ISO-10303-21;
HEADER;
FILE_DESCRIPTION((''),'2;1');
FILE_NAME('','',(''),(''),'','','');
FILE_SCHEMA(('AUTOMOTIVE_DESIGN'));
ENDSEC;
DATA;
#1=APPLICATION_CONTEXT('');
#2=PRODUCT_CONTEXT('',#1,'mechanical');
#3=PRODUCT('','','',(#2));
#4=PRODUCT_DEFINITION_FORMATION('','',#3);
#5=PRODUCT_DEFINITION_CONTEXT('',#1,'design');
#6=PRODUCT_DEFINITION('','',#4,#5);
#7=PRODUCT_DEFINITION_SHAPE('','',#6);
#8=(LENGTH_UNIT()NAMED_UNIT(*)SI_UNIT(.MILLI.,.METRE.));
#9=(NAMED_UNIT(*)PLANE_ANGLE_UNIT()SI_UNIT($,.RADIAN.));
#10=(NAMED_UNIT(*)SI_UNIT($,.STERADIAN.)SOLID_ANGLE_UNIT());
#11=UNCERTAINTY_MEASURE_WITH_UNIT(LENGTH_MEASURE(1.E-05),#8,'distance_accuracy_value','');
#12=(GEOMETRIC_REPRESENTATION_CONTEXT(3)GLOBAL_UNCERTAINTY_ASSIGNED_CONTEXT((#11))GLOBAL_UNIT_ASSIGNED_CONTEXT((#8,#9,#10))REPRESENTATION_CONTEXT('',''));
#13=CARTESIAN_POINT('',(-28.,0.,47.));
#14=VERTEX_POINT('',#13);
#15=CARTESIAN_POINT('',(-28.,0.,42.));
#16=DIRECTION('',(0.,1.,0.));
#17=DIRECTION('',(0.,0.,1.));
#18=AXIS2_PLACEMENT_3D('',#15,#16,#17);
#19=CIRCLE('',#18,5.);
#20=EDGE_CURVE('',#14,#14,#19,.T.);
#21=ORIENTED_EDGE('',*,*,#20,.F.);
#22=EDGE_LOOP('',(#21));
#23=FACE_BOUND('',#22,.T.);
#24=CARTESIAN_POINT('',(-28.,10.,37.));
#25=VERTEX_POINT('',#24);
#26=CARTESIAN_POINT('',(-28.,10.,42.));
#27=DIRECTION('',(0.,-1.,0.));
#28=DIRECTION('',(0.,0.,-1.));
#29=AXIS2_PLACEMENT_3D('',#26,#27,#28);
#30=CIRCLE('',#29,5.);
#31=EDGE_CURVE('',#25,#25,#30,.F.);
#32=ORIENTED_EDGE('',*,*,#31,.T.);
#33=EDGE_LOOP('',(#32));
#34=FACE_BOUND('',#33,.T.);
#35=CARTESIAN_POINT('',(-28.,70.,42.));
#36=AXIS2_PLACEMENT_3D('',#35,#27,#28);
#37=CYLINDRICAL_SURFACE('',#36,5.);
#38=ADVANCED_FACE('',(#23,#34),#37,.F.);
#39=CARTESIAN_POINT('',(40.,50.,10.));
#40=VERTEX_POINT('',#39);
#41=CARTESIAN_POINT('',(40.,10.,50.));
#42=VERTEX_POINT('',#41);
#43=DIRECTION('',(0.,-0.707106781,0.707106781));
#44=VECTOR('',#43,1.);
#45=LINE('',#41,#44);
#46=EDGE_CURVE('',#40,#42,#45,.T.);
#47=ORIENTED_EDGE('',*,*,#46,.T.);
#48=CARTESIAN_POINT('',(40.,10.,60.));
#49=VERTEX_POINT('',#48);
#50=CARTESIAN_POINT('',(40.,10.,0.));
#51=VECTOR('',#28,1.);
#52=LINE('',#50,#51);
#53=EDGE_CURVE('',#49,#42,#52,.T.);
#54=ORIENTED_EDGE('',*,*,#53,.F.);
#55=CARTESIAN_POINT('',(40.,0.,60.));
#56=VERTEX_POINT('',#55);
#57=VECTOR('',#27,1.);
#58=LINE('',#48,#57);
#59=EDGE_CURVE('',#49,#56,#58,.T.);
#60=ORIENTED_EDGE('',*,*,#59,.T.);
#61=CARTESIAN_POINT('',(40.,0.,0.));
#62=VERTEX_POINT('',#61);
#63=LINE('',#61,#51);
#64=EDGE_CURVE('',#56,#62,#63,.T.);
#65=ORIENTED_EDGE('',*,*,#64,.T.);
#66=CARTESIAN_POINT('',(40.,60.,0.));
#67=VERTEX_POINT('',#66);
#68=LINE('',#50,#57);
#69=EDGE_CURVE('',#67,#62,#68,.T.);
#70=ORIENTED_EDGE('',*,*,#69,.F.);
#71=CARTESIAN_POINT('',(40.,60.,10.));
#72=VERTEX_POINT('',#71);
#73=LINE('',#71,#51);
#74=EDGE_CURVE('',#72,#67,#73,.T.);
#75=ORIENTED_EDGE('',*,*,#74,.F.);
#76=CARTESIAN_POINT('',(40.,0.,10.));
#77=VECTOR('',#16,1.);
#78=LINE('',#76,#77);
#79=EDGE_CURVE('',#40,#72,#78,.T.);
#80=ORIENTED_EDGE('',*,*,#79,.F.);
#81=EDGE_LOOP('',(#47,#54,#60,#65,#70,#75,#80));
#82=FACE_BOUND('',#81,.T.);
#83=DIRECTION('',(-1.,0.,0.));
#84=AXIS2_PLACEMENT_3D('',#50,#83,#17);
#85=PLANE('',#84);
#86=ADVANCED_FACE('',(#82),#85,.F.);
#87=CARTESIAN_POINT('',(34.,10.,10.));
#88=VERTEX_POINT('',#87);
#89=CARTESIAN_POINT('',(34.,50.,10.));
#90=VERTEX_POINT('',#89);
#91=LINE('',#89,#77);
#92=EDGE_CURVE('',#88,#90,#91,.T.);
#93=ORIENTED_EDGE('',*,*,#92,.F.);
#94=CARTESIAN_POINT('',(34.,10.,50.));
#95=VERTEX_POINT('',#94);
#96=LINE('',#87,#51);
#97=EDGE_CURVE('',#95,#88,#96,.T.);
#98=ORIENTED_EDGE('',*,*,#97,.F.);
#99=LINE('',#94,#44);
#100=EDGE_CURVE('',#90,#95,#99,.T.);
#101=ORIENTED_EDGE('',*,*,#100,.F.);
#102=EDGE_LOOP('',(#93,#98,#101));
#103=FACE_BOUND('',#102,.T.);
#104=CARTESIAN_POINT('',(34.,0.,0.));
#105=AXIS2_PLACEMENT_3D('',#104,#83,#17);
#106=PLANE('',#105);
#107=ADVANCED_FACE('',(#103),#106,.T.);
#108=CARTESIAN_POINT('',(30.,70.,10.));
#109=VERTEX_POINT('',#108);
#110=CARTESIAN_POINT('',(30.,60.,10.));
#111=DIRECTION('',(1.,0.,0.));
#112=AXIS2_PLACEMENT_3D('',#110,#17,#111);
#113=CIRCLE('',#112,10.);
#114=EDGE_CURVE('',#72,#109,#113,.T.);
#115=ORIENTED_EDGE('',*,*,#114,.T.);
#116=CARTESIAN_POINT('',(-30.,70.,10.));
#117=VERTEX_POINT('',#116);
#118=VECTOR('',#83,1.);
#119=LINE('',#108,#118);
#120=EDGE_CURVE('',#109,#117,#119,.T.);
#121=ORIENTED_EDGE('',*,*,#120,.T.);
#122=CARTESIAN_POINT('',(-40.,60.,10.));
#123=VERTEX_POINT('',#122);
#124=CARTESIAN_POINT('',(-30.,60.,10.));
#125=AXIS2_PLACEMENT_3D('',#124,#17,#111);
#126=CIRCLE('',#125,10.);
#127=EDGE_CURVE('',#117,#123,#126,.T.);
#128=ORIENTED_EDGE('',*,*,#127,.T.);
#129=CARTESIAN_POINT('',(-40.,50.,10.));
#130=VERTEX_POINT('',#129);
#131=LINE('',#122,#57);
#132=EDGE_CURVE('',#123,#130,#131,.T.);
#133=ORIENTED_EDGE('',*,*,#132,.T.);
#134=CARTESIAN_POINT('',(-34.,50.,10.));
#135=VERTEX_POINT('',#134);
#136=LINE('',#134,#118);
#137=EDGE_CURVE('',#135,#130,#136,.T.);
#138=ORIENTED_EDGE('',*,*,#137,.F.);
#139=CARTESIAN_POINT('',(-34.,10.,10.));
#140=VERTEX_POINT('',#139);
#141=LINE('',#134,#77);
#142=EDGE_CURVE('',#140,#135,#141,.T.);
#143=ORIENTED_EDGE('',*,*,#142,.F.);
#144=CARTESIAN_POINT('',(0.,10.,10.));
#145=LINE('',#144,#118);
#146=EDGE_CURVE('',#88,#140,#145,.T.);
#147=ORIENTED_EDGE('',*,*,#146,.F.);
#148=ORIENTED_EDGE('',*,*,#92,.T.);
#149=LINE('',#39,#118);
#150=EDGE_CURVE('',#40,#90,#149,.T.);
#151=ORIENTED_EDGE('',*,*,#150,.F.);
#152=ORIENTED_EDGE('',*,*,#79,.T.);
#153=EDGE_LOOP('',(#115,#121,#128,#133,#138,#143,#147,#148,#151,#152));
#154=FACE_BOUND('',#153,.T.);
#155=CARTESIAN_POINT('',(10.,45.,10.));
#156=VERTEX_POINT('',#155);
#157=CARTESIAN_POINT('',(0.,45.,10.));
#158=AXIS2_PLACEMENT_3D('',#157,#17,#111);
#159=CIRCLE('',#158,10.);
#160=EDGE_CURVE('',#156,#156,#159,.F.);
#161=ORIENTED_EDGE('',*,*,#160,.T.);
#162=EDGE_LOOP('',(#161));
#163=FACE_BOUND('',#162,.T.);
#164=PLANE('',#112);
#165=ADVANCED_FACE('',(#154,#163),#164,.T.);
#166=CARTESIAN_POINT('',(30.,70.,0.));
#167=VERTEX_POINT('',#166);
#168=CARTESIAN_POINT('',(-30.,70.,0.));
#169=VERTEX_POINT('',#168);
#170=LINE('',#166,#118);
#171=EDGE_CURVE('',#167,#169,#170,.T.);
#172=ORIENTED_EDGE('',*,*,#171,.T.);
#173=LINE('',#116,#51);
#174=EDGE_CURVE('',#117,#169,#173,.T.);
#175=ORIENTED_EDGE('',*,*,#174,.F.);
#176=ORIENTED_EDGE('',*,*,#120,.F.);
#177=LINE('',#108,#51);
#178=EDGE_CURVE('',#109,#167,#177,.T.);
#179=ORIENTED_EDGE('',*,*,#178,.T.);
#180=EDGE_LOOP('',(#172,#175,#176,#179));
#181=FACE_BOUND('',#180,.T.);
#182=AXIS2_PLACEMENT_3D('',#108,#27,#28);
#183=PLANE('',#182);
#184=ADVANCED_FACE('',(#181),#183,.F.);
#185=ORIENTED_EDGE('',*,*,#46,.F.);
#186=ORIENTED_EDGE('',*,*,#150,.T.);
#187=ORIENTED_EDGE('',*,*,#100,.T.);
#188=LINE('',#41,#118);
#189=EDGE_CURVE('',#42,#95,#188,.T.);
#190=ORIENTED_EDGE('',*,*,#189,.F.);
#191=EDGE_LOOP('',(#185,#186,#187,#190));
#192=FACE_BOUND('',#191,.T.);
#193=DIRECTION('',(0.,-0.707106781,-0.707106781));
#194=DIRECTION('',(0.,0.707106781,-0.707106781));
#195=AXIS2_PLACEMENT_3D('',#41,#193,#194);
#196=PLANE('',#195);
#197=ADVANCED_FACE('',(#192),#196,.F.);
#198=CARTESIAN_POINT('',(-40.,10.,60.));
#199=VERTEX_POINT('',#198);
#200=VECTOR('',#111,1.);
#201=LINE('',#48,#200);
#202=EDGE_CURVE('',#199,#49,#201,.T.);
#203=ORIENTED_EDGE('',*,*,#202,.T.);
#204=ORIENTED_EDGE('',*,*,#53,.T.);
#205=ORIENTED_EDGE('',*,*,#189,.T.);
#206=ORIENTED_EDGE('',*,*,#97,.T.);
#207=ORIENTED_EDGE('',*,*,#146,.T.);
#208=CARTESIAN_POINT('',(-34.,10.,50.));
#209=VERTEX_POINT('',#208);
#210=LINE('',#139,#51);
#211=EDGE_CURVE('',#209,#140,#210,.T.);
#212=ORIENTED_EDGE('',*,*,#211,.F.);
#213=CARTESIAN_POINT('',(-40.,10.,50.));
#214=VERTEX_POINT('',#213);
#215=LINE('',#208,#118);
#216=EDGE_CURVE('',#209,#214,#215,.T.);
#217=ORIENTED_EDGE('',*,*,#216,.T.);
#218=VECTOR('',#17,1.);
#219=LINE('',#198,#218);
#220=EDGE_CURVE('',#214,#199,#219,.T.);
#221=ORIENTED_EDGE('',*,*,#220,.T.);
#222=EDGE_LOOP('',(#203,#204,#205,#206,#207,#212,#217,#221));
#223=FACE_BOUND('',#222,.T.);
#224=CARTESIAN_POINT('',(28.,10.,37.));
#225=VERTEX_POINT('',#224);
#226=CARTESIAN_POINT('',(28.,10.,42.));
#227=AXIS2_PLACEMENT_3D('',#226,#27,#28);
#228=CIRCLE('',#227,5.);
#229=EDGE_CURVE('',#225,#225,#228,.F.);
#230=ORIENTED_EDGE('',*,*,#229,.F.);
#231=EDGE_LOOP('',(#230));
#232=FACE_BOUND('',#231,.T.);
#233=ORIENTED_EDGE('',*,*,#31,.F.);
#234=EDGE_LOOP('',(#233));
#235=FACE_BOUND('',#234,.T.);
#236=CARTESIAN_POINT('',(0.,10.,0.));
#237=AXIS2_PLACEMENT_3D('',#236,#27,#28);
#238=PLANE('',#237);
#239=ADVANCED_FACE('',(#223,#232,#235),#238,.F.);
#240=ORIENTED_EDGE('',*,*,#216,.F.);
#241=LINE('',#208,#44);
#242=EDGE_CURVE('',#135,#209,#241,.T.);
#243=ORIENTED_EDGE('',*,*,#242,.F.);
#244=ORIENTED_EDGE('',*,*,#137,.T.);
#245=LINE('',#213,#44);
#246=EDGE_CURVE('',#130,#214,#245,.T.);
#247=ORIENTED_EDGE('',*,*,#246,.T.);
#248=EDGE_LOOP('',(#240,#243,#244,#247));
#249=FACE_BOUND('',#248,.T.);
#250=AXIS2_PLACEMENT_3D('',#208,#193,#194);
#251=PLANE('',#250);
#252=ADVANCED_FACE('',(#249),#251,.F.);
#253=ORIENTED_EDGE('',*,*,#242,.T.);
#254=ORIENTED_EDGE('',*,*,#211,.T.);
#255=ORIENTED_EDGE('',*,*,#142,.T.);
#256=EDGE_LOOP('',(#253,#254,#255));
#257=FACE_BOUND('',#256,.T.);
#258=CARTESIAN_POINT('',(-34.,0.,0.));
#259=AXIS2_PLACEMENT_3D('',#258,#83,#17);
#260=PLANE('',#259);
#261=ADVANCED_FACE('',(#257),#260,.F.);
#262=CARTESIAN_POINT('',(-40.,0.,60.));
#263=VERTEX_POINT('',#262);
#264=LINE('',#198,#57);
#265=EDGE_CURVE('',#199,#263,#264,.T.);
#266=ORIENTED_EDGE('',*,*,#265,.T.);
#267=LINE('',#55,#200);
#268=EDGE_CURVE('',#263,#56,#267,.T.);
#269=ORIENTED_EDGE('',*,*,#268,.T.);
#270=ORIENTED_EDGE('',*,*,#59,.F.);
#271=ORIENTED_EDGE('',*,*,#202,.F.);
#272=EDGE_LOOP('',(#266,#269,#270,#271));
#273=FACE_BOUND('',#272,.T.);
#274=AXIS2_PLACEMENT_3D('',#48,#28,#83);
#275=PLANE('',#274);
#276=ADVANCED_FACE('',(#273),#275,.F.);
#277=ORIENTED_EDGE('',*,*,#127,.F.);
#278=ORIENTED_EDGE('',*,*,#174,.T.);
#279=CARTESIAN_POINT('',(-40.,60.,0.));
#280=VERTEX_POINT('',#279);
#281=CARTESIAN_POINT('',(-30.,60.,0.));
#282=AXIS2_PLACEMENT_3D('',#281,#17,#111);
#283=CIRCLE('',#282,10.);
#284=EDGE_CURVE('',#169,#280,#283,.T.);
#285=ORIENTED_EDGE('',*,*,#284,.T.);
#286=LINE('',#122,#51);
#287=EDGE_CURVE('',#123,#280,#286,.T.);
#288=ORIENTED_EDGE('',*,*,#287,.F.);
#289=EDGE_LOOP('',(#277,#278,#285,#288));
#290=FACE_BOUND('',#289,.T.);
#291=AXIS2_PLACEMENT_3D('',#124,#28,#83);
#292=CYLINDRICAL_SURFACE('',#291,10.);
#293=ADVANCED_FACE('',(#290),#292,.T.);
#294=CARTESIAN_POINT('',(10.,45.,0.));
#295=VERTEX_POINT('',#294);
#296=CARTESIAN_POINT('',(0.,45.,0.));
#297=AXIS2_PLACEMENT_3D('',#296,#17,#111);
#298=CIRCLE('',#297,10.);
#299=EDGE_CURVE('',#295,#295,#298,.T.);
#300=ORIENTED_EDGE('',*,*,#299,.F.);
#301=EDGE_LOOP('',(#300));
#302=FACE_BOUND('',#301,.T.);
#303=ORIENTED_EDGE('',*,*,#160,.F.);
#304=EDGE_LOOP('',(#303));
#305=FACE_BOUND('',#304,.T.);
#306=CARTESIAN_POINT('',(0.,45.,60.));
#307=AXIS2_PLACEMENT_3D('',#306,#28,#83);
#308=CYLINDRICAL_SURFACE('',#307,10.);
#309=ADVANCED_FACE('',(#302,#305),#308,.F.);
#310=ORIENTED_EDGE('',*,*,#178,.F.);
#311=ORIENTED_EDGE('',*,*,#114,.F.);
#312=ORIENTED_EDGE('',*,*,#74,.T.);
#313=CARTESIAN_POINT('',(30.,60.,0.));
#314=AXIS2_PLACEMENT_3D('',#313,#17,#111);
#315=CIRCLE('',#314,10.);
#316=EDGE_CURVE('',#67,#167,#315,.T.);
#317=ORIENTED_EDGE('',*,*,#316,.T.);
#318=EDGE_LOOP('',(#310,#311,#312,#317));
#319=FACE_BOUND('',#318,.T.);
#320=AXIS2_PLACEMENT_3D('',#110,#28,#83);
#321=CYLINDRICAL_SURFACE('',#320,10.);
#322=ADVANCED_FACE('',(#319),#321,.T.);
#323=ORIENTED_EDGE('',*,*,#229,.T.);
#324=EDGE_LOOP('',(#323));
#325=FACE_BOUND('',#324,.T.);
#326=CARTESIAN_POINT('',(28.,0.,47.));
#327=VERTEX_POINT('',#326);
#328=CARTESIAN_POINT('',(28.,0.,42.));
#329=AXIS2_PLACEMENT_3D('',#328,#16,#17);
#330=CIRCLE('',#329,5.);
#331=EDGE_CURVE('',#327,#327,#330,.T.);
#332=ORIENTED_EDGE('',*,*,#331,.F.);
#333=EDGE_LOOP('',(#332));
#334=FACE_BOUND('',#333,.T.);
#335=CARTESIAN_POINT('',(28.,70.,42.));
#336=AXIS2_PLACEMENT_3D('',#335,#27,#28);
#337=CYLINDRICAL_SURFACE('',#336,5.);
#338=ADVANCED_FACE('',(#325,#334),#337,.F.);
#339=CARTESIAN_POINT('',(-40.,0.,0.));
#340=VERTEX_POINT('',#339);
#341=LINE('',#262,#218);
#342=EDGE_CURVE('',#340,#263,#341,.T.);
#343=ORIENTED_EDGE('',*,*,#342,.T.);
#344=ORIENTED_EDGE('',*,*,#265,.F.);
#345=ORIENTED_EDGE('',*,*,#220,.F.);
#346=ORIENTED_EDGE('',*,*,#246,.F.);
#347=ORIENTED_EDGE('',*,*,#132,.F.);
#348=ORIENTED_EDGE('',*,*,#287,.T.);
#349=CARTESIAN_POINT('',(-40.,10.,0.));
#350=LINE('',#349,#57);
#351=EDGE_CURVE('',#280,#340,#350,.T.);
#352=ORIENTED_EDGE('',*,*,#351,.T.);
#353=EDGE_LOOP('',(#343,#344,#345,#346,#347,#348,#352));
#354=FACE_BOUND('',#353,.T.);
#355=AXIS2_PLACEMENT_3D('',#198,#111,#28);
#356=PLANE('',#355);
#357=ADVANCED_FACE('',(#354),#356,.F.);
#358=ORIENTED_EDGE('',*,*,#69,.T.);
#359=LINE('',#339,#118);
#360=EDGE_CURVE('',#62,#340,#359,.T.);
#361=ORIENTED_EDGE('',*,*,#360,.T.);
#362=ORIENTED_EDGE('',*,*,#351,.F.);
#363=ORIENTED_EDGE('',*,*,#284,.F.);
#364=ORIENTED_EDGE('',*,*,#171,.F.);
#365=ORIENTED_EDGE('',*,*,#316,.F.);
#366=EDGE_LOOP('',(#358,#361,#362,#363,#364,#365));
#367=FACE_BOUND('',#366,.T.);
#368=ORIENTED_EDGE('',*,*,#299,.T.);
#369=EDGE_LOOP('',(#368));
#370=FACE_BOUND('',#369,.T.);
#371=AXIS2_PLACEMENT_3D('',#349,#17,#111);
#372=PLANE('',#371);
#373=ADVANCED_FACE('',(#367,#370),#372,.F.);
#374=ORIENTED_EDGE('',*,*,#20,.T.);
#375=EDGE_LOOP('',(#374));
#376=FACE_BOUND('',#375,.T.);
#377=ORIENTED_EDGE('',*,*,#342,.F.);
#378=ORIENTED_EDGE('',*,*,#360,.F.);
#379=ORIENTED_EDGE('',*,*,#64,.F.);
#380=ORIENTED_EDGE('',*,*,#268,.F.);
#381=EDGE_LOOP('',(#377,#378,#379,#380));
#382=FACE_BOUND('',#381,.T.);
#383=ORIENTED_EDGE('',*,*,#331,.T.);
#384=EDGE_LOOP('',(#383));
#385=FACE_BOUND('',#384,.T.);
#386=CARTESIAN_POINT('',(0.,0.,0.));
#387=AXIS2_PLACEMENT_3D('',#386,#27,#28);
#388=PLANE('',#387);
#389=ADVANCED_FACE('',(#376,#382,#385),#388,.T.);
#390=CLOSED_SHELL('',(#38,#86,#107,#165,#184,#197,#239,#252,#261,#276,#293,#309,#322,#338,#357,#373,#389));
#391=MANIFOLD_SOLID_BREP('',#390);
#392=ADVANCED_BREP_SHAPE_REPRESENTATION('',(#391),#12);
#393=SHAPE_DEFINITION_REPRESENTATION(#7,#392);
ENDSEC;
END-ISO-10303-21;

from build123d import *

# Parameters (mm, degrees)
SKETCH_5_W          = 80
SKETCH_5_H          = 60
EXTRUDE_5_DEPTH     = 10
EXTRUDE_6_DEPTH     = 10
EXTRUDE_9_DEPTH     = 6
EXTRUDE_10_DEPTH    = 6
SKETCH_11_R         = 10
CUT_EXTRUDE_1_DEPTH = 101.498756211
SKETCH_13_R         = 5
CUT_EXTRUDE_3_DEPTH = 101.498756211


with BuildPart() as part:
    # 草图5 → 凸台-拉伸5 (new body)
    with BuildSketch(Plane(origin=(0, 0, 0), x_dir=(1, 0, 0), z_dir=(0, 1, 0))):
        with Locations((0, -30)):
            Rectangle(SKETCH_5_W, SKETCH_5_H)
    extrude(amount=EXTRUDE_5_DEPTH)

    # 草图6 → 凸台-拉伸6 (add)
    with BuildSketch(Plane.XY):
        with BuildLine():
            Line((-40, 0), (40, 0))
            Line((40, 0), (40, 60))
            ThreePointArc((40, 60), (37.071067812, 67.071067812), (30, 70))
            Line((30, 70), (-30, 70))
            ThreePointArc((-30, 70), (-37.071067812, 67.071067812), (-40, 60))
            Line((-40, 60), (-40, 0))
        make_face()
    extrude(amount=EXTRUDE_6_DEPTH)

    # 草图9 → 凸台-拉伸9 (add)
    with BuildSketch(Plane(origin=(-40, 0, 0), x_dir=(0, 0, -1), z_dir=(1, 0, 0))):
        Polygon((-10, 10), (-50, 10), (-10, 50), align=None)
    extrude(amount=EXTRUDE_9_DEPTH)

    # 草图10 → 凸台-拉伸10 (add)
    with BuildSketch(Plane(origin=(34, 0, 0), x_dir=(0, 0, -1), z_dir=(1, 0, 0))):
        Polygon((-10, 10), (-50, 10), (-10, 50), align=None)
    extrude(amount=EXTRUDE_10_DEPTH)

    # 草图11 → 切除-拉伸1 (cut, through all)
    with BuildSketch(Plane.XY):
        with Locations((0, 45)):
            Circle(SKETCH_11_R)
    extrude(amount=CUT_EXTRUDE_1_DEPTH, mode=Mode.SUBTRACT)

    # 草图13 → 切除-拉伸3 (cut, through all)
    with BuildSketch(Plane(origin=(0, 0, 0), x_dir=(1, 0, 0), z_dir=(0, 1, 0))):
        with Locations(Location((-28, -42, 0), (0, 0, 90))):
            Circle(SKETCH_13_R)
        with Locations(Location((28, -42, 0), (0, 0, 90))):
            Circle(SKETCH_13_R)
    extrude(amount=CUT_EXTRUDE_3_DEPTH, mode=Mode.SUBTRACT)


solid = part.part
